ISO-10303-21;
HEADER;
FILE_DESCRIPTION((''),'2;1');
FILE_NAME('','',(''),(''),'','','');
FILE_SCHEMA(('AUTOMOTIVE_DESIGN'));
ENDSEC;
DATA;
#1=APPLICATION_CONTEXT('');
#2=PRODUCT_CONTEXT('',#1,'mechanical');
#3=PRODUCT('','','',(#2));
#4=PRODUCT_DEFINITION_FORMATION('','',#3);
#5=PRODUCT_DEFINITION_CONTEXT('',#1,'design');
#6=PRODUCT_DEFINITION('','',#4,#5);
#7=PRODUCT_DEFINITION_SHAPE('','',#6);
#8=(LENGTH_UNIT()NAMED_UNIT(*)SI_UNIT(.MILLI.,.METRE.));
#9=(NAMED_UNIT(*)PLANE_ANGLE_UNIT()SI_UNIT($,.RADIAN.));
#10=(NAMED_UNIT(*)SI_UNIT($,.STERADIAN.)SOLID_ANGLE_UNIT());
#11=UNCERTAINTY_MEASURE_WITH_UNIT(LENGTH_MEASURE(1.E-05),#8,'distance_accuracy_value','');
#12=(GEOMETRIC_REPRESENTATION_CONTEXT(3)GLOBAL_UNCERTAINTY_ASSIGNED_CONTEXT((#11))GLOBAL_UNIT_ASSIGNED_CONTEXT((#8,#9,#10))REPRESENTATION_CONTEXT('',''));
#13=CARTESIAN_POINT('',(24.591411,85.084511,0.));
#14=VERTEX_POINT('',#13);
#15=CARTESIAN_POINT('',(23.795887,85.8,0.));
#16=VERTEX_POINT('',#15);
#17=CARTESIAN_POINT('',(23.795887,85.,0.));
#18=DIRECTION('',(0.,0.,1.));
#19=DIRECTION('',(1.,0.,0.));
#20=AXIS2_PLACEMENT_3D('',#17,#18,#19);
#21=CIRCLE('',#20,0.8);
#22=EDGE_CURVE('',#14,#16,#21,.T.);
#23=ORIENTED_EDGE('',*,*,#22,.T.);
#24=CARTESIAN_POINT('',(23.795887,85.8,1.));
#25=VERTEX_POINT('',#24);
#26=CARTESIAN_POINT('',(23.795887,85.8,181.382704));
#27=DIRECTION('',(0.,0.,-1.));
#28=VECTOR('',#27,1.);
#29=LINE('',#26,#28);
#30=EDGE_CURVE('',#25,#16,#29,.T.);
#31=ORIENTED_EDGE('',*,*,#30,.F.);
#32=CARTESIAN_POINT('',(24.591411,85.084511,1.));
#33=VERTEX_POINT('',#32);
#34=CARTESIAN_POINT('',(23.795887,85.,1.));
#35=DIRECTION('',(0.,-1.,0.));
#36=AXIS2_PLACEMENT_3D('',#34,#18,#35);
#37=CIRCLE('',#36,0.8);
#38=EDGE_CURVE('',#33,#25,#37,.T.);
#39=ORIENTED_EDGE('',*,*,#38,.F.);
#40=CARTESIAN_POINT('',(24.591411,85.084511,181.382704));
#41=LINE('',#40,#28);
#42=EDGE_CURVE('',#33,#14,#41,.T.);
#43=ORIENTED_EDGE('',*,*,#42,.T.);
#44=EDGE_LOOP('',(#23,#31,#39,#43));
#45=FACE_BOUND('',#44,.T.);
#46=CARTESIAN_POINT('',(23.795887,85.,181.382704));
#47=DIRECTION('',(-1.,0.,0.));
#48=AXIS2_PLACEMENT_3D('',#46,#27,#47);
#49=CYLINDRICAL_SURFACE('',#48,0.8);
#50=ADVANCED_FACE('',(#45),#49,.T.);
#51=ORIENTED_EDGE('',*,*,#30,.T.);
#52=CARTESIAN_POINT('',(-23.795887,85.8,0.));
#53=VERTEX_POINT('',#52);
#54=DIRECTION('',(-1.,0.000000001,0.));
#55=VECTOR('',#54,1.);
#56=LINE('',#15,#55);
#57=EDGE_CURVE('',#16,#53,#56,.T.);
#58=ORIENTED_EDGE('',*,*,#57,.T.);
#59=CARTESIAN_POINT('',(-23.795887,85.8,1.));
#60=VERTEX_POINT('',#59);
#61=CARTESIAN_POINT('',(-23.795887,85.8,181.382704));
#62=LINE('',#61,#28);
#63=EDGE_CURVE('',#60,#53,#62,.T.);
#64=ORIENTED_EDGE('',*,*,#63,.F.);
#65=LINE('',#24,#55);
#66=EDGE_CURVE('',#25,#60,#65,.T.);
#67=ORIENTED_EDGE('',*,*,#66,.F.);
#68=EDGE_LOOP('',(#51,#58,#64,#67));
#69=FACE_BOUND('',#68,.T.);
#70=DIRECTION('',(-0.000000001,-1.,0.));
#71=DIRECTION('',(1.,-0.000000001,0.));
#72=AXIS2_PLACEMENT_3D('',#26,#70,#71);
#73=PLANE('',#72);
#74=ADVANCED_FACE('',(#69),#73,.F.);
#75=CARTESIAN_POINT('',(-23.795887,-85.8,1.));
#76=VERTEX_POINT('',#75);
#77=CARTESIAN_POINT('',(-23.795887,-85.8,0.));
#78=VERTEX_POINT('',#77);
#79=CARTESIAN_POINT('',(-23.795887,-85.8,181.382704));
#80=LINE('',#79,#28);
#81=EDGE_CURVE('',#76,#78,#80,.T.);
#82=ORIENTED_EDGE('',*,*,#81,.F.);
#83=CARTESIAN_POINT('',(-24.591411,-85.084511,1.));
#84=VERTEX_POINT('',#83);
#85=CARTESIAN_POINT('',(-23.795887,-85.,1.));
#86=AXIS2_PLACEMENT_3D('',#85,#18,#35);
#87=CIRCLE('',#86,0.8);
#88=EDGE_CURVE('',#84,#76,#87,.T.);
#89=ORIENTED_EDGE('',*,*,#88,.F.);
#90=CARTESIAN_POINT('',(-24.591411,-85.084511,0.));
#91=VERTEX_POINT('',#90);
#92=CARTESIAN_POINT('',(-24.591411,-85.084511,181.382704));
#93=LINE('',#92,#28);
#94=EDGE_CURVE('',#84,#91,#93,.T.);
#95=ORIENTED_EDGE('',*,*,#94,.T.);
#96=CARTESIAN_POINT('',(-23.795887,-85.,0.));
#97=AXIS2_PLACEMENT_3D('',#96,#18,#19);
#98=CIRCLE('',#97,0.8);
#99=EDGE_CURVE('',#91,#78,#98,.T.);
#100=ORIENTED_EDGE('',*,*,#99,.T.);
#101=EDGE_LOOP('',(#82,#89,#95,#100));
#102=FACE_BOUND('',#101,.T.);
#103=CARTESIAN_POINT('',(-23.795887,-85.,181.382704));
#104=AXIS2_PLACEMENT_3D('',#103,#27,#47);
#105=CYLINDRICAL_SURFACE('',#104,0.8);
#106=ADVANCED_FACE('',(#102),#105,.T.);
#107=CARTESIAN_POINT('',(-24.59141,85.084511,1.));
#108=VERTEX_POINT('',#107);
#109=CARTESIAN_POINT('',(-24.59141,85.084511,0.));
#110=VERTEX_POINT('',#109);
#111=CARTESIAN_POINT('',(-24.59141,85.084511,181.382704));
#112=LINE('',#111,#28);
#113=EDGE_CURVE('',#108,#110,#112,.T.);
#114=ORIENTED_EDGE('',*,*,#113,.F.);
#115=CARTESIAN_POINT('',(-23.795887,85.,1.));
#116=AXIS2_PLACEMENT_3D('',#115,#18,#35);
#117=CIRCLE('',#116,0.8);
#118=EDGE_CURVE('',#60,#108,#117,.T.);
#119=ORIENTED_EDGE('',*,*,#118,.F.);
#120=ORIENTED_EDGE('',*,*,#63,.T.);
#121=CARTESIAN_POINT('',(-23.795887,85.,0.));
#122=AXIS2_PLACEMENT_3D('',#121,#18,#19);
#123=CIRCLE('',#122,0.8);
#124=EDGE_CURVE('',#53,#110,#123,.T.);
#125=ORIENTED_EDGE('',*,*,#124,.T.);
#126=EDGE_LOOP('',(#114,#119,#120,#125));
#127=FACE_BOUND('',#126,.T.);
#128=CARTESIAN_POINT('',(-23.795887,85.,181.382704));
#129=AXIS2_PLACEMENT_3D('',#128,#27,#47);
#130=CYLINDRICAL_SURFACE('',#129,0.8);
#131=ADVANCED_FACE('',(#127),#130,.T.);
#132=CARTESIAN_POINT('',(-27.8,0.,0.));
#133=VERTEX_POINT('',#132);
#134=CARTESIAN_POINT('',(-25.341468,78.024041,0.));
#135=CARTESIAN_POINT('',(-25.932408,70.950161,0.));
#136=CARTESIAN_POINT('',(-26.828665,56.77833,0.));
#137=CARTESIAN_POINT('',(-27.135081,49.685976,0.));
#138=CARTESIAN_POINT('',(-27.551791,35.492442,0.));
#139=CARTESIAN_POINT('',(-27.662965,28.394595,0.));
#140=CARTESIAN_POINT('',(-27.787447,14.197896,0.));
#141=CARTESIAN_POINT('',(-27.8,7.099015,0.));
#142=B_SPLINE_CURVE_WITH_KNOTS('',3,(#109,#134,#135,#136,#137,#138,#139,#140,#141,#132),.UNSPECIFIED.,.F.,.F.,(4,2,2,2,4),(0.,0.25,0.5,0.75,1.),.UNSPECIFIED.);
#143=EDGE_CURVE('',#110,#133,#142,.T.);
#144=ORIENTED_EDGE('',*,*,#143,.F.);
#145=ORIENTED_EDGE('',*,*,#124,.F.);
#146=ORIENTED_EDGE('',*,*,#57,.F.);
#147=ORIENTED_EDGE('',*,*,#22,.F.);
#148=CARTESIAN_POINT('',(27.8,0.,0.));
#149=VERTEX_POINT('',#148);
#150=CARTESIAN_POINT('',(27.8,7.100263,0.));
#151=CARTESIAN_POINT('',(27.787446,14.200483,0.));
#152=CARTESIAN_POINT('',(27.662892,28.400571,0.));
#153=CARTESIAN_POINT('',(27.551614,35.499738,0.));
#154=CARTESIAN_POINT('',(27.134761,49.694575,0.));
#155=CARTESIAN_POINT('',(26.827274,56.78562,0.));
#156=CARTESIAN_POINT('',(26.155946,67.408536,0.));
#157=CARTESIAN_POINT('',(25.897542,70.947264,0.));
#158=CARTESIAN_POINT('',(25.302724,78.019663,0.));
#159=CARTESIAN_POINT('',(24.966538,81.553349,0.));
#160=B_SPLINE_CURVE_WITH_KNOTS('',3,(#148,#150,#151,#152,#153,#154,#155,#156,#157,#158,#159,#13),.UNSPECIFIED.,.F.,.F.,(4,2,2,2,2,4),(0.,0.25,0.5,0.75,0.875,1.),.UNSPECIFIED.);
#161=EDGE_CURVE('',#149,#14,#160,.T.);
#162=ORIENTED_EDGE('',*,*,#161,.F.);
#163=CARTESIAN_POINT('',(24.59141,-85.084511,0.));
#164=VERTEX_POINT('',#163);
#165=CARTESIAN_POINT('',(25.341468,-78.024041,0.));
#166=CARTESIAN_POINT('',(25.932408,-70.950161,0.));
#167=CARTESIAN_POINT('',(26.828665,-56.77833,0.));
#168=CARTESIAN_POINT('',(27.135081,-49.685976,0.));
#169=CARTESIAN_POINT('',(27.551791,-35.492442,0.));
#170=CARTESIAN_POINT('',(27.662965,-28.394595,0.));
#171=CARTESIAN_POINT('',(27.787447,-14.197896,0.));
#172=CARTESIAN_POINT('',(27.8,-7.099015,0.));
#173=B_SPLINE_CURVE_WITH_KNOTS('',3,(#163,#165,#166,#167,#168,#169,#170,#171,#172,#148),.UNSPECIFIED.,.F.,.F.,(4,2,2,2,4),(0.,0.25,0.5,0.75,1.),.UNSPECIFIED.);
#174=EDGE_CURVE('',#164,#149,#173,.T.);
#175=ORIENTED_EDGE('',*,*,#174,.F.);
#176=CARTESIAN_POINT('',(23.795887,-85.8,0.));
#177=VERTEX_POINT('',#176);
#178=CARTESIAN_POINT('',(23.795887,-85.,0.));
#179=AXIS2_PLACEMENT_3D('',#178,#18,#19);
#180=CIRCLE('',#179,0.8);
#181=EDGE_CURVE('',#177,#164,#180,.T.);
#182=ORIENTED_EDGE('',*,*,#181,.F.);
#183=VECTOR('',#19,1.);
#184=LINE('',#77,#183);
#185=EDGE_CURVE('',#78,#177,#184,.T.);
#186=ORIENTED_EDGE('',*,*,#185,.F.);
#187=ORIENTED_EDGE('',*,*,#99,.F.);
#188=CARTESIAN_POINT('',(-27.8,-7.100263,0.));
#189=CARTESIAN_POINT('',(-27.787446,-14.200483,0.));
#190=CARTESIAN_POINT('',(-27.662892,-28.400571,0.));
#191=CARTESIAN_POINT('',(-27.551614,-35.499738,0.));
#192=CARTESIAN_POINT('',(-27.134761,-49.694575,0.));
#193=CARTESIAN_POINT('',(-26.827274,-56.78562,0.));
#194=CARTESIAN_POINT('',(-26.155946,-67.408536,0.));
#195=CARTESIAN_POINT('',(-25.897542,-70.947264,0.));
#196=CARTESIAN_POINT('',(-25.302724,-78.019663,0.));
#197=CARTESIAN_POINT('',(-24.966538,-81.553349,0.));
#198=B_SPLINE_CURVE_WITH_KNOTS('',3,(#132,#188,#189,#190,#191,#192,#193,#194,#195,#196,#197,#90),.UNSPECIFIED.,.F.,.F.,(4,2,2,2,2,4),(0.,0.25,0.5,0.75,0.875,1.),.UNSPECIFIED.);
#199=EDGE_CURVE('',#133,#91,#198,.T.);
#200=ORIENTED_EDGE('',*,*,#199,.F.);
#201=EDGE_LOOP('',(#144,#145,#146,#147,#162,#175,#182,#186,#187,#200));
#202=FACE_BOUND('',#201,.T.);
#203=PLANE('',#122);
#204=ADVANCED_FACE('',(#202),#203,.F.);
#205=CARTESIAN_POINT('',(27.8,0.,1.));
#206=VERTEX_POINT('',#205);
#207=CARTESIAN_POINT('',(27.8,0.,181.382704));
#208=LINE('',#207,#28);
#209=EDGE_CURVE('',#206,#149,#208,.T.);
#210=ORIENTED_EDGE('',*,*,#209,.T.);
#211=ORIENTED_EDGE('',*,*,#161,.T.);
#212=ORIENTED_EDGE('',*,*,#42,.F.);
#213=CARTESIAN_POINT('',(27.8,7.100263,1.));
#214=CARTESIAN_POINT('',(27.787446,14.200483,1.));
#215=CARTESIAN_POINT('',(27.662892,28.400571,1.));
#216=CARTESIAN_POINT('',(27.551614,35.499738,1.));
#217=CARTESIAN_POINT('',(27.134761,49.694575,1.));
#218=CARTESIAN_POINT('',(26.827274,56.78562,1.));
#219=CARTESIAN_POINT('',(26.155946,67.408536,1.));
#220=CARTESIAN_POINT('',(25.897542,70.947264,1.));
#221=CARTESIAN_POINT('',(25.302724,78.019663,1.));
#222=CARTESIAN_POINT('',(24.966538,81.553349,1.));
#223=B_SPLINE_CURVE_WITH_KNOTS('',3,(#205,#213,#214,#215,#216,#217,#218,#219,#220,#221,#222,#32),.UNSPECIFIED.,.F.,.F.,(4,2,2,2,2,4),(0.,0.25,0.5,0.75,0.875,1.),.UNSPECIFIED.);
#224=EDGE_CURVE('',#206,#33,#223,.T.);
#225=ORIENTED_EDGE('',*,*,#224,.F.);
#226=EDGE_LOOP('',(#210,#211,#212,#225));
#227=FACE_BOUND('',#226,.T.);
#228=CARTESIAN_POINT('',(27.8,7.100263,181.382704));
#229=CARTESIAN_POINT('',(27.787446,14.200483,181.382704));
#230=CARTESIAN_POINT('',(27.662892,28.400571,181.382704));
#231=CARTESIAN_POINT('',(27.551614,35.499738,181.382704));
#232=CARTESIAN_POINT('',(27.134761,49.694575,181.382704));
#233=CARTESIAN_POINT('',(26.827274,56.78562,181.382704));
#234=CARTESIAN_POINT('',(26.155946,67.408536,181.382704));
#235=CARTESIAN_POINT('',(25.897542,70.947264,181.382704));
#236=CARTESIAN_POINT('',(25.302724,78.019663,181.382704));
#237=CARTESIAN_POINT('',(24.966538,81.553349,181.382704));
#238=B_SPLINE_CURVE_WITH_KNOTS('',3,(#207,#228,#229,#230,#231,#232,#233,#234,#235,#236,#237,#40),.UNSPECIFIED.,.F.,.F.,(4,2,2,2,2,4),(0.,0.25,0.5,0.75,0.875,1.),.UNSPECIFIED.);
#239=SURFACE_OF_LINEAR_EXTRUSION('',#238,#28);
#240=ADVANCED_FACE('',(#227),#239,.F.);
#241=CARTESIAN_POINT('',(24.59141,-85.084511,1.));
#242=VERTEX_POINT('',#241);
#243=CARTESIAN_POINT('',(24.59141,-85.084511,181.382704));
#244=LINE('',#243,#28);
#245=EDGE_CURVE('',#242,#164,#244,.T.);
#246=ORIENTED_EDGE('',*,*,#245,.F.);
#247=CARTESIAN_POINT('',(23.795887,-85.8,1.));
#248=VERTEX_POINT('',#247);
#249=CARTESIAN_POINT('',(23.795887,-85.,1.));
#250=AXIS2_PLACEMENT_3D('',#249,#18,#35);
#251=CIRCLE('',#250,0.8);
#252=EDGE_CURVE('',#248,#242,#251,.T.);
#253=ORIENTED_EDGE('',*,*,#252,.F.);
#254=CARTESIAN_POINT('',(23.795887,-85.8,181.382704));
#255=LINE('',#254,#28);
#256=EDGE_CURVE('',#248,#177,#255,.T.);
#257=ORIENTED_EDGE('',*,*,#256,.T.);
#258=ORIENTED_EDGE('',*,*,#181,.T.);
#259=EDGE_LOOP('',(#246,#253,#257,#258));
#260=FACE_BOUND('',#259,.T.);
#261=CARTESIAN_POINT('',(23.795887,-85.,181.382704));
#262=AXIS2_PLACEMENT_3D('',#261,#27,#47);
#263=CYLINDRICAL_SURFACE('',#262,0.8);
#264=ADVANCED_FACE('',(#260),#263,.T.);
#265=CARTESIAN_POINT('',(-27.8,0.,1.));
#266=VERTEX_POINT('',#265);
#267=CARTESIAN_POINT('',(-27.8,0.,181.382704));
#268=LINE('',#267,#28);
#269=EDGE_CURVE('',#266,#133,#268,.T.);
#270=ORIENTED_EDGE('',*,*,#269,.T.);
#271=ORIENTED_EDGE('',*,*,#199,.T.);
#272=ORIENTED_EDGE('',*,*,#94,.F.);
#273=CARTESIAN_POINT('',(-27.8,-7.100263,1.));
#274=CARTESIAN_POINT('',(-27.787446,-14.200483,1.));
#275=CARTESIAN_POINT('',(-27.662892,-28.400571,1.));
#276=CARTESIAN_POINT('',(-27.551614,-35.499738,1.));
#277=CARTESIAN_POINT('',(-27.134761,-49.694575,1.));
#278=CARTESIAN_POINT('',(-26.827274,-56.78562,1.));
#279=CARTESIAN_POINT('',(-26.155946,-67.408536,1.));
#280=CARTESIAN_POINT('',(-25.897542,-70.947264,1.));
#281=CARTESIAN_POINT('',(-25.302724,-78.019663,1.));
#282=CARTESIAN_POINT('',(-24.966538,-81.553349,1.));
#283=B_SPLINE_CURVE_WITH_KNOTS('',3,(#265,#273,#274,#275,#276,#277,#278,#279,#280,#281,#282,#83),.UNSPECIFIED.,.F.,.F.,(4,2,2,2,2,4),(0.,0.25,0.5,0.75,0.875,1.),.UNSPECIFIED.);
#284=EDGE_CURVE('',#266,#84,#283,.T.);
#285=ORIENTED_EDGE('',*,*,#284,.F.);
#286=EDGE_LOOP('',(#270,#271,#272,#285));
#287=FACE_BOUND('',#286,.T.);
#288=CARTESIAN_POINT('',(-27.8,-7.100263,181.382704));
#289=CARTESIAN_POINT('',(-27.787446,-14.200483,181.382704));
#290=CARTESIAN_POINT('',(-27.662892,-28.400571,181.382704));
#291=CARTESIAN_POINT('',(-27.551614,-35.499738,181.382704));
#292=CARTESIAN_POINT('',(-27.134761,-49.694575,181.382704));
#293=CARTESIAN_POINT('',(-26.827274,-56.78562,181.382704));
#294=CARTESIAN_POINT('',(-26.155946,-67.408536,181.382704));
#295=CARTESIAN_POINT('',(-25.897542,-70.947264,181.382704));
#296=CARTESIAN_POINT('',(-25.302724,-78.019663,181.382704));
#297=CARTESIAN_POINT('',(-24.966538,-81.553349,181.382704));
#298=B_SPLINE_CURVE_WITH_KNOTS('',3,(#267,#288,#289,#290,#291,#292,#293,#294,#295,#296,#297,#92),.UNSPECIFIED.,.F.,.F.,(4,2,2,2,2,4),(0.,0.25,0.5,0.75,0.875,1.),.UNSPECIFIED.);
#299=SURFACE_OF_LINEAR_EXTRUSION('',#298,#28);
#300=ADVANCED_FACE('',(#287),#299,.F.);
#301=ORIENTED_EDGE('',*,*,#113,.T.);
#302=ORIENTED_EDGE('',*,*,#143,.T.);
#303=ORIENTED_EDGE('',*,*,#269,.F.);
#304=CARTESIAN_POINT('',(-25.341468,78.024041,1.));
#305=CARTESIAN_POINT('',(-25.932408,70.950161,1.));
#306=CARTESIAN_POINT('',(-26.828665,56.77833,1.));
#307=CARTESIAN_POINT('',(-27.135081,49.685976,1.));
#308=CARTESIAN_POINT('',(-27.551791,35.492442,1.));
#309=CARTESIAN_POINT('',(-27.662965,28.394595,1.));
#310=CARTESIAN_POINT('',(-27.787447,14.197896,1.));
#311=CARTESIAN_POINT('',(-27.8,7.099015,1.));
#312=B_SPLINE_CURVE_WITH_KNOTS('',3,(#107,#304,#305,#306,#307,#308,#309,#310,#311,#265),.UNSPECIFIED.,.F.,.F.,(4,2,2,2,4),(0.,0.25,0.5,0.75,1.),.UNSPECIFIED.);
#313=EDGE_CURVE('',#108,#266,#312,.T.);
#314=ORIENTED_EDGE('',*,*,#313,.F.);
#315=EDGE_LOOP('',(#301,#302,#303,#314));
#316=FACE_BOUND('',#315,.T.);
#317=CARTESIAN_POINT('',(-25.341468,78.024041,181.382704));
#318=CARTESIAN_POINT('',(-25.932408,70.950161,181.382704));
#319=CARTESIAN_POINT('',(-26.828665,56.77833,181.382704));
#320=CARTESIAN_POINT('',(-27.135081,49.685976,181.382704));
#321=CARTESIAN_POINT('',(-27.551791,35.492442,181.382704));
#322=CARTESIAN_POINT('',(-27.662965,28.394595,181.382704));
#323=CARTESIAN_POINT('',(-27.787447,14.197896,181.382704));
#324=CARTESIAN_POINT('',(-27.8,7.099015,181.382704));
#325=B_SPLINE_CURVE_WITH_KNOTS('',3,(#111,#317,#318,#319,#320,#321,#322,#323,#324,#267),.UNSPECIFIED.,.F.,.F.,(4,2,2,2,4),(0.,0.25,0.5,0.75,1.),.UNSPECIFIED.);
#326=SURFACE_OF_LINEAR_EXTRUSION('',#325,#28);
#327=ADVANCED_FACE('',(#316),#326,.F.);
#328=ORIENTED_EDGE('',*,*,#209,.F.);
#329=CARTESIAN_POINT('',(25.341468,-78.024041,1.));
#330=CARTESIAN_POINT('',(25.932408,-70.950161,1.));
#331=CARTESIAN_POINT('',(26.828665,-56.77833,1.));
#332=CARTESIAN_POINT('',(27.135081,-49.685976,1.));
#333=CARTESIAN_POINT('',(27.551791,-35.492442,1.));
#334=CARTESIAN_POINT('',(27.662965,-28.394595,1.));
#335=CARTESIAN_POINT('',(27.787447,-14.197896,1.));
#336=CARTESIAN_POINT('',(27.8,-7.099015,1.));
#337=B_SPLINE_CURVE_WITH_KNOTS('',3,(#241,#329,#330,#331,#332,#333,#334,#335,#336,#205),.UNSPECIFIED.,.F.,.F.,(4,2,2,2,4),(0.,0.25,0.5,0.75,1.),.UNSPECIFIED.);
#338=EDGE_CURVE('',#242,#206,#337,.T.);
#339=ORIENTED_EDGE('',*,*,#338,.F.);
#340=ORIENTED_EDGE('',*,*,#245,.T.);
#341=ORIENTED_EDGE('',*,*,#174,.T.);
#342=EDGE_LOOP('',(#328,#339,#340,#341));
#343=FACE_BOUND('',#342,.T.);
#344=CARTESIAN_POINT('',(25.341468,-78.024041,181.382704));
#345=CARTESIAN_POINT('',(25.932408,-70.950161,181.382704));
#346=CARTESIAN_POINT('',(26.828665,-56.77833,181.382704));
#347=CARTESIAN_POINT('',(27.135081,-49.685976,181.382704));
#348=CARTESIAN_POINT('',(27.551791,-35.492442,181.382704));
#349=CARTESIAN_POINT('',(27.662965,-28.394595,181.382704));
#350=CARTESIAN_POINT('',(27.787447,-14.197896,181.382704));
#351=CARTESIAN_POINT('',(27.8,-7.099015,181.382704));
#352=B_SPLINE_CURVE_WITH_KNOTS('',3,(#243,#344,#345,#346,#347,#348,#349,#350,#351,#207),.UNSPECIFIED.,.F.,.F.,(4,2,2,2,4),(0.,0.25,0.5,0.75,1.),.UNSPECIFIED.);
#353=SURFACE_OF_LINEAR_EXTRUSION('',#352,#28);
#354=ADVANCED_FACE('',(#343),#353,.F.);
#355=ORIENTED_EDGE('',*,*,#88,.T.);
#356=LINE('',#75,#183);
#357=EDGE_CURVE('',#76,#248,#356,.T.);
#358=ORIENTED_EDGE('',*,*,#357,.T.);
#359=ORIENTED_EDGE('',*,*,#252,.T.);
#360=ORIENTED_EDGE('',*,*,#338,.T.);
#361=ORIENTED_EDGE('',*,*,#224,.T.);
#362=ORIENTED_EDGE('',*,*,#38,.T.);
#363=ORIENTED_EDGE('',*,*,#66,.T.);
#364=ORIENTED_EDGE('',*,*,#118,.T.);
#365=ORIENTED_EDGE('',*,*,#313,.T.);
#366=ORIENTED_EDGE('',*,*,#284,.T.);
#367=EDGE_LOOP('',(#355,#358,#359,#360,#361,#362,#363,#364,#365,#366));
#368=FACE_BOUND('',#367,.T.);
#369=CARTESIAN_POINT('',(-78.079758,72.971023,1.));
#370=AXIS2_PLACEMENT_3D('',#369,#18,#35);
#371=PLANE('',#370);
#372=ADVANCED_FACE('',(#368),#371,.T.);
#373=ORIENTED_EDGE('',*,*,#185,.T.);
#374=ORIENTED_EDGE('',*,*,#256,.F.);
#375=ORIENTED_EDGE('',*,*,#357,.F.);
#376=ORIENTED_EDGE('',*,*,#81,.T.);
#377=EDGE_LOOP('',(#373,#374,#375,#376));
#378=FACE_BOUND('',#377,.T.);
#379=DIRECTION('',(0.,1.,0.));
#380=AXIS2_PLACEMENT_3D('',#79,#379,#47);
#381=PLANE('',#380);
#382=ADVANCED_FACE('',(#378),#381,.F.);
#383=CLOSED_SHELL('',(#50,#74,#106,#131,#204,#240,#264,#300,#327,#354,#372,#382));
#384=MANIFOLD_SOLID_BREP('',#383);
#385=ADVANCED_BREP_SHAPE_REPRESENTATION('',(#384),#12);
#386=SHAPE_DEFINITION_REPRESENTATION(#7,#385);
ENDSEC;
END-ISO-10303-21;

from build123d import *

# Parameters (mm, degrees)
BOSS_EXTRUDE1_DEPTH = 1


with BuildPart() as part:
    # Sketch1 → Boss-Extrude1 (new body)
    with BuildSketch(Plane.XY):
        with BuildLine():
            Line((-23.795886894, -85.79999998), (23.795886554, -85.8))
            ThreePointArc((23.795886554, -85.8), (24.330859001, -85.594814662), (24.59141021, -85.084511206))
            add(Edge.make_bspline(
                [(24.59141021, -85.084511206), (25.341468128, -78.024041397), (25.932408266, -70.950161412), (26.828664767, -56.778329557), (27.135080896, -49.685975803), (27.551790648, -35.492442071), (27.662965311, -28.394595165), (27.787446712, -14.197895926), (27.8, -7.09901507), (27.8, 0)],
                knots=[0, 0, 0, 0, 0.25, 0.25, 0.5, 0.5, 0.75, 0.75, 1, 1, 1, 1], degree=3))
            add(Edge.make_bspline(
                [(27.8, 0), (27.8, 7.100263374), (27.787445727, 14.200482559), (27.66289227, 28.400570909), (27.551614497, 35.499737802), (27.134760595, 49.694574965), (26.827273573, 56.785620292), (26.155946103, 67.408536005), (25.897541639, 70.947263524), (25.302724282, 78.019662606), (24.966538048, 81.553348858), (24.59141053, 85.084511211)],
                knots=[0, 0, 0, 0, 0.25, 0.25, 0.5, 0.5, 0.75, 0.75, 0.875, 0.875, 1, 1, 1, 1], degree=3))
            ThreePointArc((24.59141053, 85.084511211), (24.330859338, 85.594814664), (23.795886894, 85.79999998))
            Line((23.795886894, 85.79999998), (-23.795886554, 85.800000019))
            ThreePointArc((-23.795886554, 85.800000019), (-24.330859013, 85.594814676), (-24.59141021, 85.084511206))
            add(Edge.make_bspline(
                [(-24.59141021, 85.084511206), (-25.341468128, 78.024041397), (-25.932408265, 70.950161412), (-26.828664767, 56.778329556), (-27.135080896, 49.685975803), (-27.551790648, 35.492442071), (-27.662965311, 28.394595165), (-27.787446711, 14.197895926), (-27.8, 7.09901507), (-27.8, 0)],
                knots=[0, 0, 0, 0, 0.25, 0.25, 0.5, 0.5, 0.75, 0.75, 1, 1, 1, 1], degree=3))
            add(Edge.make_bspline(
                [(-27.8, 0), (-27.8, -7.100263374), (-27.787445727, -14.200482559), (-27.66289227, -28.400570909), (-27.551614497, -35.499737802), (-27.134760595, -49.694574965), (-26.827273573, -56.785620292), (-26.155946103, -67.408536005), (-25.897541639, -70.947263524), (-25.302724282, -78.019662606), (-24.966538048, -81.553348858), (-24.59141053, -85.084511211)],
                knots=[0, 0, 0, 0, 0.25, 0.25, 0.5, 0.5, 0.75, 0.75, 0.875, 0.875, 1, 1, 1, 1], degree=3))
            ThreePointArc((-24.59141053, -85.084511211), (-24.330859338, -85.594814664), (-23.795886894, -85.79999998))
        make_face()
    extrude(amount=BOSS_EXTRUDE1_DEPTH)


solid = part.part
